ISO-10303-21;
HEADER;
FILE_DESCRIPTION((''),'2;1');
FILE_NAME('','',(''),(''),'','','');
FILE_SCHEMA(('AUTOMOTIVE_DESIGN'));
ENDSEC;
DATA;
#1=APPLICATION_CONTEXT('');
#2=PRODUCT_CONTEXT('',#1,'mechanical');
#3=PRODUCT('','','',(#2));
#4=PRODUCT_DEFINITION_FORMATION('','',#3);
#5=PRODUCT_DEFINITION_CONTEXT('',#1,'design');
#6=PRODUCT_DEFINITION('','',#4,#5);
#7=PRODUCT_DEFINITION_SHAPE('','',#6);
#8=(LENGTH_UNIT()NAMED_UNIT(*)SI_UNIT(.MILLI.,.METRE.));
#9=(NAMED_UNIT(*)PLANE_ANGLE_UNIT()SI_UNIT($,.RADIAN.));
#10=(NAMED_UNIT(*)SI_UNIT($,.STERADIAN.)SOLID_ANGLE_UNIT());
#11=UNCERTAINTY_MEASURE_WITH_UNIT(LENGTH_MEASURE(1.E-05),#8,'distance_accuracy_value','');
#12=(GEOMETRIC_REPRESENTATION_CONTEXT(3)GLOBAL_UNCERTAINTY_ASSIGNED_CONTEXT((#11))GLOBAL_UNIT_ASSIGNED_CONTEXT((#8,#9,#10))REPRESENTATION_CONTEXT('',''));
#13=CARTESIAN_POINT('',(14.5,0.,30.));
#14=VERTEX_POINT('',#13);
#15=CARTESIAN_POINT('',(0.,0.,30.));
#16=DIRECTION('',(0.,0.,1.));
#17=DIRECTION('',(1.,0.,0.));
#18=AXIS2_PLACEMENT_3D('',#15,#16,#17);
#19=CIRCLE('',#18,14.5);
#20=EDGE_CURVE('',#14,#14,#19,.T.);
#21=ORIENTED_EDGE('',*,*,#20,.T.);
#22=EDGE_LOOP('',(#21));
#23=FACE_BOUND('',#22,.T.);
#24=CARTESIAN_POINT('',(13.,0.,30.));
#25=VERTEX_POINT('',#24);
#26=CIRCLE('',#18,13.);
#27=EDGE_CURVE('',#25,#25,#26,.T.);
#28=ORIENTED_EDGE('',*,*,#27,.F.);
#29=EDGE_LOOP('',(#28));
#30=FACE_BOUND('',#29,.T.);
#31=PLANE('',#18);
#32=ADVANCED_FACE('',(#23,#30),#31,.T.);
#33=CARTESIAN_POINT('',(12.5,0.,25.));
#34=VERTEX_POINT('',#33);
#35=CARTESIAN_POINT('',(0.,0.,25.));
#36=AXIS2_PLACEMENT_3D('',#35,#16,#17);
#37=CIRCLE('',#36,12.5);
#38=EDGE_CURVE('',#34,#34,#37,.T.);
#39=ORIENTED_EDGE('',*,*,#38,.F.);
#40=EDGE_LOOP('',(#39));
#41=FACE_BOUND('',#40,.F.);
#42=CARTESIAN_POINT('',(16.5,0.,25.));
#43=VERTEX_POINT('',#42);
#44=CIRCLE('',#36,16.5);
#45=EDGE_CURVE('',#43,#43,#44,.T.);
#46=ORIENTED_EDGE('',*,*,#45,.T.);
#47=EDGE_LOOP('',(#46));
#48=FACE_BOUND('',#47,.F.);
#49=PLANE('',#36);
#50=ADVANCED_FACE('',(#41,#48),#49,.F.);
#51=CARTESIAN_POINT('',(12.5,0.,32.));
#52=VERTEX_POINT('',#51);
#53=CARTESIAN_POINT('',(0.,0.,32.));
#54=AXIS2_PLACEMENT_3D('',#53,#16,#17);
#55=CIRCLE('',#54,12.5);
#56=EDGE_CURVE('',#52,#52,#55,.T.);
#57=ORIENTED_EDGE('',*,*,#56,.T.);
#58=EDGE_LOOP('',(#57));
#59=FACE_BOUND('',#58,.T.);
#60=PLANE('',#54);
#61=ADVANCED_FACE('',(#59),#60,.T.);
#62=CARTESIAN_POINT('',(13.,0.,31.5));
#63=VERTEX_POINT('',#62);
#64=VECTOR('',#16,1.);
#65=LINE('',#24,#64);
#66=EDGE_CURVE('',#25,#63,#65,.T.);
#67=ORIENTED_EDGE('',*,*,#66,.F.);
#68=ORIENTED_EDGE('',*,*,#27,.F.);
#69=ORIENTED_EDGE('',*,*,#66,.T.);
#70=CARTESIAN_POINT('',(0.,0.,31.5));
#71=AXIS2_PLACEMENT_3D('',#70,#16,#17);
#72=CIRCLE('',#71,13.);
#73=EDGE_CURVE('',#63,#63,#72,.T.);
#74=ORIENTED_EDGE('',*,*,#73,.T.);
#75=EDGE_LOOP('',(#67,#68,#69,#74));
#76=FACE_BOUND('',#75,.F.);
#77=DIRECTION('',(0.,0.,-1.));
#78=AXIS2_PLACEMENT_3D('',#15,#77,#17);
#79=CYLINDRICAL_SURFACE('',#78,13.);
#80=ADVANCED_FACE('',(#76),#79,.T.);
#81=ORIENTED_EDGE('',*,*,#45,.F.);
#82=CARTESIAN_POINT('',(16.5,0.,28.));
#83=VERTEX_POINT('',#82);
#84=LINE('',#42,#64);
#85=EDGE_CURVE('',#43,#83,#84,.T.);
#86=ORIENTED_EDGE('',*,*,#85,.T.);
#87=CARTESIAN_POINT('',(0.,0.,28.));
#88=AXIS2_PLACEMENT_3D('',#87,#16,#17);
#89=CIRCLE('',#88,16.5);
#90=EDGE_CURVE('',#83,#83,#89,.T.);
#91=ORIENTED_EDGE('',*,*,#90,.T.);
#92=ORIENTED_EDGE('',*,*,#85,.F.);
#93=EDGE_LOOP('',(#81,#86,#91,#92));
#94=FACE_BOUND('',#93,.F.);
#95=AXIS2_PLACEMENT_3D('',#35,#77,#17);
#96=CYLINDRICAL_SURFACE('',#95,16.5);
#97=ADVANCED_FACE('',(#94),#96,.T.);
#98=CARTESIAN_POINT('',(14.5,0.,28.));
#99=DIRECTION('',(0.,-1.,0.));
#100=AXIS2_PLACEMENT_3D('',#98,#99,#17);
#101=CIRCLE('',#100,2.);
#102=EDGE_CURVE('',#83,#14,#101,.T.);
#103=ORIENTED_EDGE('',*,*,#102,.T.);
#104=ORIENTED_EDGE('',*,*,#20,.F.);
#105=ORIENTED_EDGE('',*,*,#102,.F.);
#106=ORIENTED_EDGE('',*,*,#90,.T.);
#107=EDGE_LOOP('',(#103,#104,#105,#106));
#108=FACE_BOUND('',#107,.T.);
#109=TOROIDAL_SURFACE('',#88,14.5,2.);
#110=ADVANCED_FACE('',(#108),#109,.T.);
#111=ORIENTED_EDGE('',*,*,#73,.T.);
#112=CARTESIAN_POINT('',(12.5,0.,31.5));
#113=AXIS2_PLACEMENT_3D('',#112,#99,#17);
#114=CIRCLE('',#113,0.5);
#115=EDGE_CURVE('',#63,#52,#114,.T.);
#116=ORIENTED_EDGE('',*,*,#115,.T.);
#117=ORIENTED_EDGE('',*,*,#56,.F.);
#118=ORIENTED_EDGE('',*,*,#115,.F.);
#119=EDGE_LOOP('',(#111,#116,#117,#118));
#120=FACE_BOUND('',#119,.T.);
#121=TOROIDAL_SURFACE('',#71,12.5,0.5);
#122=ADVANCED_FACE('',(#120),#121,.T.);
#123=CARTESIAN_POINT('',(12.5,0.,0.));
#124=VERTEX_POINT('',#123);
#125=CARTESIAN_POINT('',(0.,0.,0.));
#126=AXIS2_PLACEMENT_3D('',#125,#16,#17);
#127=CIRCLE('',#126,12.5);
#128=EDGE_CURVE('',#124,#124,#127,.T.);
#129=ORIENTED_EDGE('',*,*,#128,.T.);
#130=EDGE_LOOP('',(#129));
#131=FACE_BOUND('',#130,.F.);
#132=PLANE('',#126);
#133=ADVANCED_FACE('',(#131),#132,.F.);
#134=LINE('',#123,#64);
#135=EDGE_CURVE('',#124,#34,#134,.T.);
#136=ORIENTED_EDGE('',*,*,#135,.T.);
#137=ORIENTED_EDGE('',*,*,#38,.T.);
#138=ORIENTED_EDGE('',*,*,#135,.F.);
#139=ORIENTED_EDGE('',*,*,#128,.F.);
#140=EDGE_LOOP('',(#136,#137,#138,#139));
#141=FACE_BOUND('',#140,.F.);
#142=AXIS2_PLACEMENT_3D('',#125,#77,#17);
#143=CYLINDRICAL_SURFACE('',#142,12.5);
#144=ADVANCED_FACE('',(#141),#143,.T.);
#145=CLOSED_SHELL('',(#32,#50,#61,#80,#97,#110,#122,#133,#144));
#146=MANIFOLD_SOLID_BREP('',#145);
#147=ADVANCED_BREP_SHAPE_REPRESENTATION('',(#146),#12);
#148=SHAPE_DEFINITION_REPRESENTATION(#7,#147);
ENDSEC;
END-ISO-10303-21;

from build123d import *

# Parameters (mm, degrees)
SKETCH_R     = 12.5
PAD_DEPTH    = 25
SKETCH001_R  = 16.5
PAD001_DEPTH = 5
SKETCH002_R  = 13
PAD002_DEPTH = 2
FILLET_R     = 2
FILLET001_R  = 0.5


with BuildPart() as part:
    # Sketch → Pad (new body)
    with BuildSketch(Plane.XY):
        Circle(SKETCH_R)
    extrude(amount=PAD_DEPTH)

    # Sketch001 (on Face3 of Pad) → Pad001 (join)
    with BuildSketch(Plane.XY.offset(25)):
        Circle(SKETCH001_R)
    extrude(amount=PAD001_DEPTH)

    # Sketch002 (on Face3 of Pad001) → Pad002 (join)
    with BuildSketch(Plane.XY.offset(30)):
        Circle(SKETCH002_R)
    extrude(amount=PAD002_DEPTH)

    # Fillet
    fillet_edges = [part.edges().sort_by_distance(p)[0] for p in [
        (-16.5, 0, 30),
    ]]
    fillet(fillet_edges, radius=FILLET_R)

    # Fillet001
    fillet001_edges = [part.edges().sort_by_distance(p)[0] for p in [
        (-13, 0, 32),
    ]]
    fillet(fillet001_edges, radius=FILLET001_R)


solid = part.part
